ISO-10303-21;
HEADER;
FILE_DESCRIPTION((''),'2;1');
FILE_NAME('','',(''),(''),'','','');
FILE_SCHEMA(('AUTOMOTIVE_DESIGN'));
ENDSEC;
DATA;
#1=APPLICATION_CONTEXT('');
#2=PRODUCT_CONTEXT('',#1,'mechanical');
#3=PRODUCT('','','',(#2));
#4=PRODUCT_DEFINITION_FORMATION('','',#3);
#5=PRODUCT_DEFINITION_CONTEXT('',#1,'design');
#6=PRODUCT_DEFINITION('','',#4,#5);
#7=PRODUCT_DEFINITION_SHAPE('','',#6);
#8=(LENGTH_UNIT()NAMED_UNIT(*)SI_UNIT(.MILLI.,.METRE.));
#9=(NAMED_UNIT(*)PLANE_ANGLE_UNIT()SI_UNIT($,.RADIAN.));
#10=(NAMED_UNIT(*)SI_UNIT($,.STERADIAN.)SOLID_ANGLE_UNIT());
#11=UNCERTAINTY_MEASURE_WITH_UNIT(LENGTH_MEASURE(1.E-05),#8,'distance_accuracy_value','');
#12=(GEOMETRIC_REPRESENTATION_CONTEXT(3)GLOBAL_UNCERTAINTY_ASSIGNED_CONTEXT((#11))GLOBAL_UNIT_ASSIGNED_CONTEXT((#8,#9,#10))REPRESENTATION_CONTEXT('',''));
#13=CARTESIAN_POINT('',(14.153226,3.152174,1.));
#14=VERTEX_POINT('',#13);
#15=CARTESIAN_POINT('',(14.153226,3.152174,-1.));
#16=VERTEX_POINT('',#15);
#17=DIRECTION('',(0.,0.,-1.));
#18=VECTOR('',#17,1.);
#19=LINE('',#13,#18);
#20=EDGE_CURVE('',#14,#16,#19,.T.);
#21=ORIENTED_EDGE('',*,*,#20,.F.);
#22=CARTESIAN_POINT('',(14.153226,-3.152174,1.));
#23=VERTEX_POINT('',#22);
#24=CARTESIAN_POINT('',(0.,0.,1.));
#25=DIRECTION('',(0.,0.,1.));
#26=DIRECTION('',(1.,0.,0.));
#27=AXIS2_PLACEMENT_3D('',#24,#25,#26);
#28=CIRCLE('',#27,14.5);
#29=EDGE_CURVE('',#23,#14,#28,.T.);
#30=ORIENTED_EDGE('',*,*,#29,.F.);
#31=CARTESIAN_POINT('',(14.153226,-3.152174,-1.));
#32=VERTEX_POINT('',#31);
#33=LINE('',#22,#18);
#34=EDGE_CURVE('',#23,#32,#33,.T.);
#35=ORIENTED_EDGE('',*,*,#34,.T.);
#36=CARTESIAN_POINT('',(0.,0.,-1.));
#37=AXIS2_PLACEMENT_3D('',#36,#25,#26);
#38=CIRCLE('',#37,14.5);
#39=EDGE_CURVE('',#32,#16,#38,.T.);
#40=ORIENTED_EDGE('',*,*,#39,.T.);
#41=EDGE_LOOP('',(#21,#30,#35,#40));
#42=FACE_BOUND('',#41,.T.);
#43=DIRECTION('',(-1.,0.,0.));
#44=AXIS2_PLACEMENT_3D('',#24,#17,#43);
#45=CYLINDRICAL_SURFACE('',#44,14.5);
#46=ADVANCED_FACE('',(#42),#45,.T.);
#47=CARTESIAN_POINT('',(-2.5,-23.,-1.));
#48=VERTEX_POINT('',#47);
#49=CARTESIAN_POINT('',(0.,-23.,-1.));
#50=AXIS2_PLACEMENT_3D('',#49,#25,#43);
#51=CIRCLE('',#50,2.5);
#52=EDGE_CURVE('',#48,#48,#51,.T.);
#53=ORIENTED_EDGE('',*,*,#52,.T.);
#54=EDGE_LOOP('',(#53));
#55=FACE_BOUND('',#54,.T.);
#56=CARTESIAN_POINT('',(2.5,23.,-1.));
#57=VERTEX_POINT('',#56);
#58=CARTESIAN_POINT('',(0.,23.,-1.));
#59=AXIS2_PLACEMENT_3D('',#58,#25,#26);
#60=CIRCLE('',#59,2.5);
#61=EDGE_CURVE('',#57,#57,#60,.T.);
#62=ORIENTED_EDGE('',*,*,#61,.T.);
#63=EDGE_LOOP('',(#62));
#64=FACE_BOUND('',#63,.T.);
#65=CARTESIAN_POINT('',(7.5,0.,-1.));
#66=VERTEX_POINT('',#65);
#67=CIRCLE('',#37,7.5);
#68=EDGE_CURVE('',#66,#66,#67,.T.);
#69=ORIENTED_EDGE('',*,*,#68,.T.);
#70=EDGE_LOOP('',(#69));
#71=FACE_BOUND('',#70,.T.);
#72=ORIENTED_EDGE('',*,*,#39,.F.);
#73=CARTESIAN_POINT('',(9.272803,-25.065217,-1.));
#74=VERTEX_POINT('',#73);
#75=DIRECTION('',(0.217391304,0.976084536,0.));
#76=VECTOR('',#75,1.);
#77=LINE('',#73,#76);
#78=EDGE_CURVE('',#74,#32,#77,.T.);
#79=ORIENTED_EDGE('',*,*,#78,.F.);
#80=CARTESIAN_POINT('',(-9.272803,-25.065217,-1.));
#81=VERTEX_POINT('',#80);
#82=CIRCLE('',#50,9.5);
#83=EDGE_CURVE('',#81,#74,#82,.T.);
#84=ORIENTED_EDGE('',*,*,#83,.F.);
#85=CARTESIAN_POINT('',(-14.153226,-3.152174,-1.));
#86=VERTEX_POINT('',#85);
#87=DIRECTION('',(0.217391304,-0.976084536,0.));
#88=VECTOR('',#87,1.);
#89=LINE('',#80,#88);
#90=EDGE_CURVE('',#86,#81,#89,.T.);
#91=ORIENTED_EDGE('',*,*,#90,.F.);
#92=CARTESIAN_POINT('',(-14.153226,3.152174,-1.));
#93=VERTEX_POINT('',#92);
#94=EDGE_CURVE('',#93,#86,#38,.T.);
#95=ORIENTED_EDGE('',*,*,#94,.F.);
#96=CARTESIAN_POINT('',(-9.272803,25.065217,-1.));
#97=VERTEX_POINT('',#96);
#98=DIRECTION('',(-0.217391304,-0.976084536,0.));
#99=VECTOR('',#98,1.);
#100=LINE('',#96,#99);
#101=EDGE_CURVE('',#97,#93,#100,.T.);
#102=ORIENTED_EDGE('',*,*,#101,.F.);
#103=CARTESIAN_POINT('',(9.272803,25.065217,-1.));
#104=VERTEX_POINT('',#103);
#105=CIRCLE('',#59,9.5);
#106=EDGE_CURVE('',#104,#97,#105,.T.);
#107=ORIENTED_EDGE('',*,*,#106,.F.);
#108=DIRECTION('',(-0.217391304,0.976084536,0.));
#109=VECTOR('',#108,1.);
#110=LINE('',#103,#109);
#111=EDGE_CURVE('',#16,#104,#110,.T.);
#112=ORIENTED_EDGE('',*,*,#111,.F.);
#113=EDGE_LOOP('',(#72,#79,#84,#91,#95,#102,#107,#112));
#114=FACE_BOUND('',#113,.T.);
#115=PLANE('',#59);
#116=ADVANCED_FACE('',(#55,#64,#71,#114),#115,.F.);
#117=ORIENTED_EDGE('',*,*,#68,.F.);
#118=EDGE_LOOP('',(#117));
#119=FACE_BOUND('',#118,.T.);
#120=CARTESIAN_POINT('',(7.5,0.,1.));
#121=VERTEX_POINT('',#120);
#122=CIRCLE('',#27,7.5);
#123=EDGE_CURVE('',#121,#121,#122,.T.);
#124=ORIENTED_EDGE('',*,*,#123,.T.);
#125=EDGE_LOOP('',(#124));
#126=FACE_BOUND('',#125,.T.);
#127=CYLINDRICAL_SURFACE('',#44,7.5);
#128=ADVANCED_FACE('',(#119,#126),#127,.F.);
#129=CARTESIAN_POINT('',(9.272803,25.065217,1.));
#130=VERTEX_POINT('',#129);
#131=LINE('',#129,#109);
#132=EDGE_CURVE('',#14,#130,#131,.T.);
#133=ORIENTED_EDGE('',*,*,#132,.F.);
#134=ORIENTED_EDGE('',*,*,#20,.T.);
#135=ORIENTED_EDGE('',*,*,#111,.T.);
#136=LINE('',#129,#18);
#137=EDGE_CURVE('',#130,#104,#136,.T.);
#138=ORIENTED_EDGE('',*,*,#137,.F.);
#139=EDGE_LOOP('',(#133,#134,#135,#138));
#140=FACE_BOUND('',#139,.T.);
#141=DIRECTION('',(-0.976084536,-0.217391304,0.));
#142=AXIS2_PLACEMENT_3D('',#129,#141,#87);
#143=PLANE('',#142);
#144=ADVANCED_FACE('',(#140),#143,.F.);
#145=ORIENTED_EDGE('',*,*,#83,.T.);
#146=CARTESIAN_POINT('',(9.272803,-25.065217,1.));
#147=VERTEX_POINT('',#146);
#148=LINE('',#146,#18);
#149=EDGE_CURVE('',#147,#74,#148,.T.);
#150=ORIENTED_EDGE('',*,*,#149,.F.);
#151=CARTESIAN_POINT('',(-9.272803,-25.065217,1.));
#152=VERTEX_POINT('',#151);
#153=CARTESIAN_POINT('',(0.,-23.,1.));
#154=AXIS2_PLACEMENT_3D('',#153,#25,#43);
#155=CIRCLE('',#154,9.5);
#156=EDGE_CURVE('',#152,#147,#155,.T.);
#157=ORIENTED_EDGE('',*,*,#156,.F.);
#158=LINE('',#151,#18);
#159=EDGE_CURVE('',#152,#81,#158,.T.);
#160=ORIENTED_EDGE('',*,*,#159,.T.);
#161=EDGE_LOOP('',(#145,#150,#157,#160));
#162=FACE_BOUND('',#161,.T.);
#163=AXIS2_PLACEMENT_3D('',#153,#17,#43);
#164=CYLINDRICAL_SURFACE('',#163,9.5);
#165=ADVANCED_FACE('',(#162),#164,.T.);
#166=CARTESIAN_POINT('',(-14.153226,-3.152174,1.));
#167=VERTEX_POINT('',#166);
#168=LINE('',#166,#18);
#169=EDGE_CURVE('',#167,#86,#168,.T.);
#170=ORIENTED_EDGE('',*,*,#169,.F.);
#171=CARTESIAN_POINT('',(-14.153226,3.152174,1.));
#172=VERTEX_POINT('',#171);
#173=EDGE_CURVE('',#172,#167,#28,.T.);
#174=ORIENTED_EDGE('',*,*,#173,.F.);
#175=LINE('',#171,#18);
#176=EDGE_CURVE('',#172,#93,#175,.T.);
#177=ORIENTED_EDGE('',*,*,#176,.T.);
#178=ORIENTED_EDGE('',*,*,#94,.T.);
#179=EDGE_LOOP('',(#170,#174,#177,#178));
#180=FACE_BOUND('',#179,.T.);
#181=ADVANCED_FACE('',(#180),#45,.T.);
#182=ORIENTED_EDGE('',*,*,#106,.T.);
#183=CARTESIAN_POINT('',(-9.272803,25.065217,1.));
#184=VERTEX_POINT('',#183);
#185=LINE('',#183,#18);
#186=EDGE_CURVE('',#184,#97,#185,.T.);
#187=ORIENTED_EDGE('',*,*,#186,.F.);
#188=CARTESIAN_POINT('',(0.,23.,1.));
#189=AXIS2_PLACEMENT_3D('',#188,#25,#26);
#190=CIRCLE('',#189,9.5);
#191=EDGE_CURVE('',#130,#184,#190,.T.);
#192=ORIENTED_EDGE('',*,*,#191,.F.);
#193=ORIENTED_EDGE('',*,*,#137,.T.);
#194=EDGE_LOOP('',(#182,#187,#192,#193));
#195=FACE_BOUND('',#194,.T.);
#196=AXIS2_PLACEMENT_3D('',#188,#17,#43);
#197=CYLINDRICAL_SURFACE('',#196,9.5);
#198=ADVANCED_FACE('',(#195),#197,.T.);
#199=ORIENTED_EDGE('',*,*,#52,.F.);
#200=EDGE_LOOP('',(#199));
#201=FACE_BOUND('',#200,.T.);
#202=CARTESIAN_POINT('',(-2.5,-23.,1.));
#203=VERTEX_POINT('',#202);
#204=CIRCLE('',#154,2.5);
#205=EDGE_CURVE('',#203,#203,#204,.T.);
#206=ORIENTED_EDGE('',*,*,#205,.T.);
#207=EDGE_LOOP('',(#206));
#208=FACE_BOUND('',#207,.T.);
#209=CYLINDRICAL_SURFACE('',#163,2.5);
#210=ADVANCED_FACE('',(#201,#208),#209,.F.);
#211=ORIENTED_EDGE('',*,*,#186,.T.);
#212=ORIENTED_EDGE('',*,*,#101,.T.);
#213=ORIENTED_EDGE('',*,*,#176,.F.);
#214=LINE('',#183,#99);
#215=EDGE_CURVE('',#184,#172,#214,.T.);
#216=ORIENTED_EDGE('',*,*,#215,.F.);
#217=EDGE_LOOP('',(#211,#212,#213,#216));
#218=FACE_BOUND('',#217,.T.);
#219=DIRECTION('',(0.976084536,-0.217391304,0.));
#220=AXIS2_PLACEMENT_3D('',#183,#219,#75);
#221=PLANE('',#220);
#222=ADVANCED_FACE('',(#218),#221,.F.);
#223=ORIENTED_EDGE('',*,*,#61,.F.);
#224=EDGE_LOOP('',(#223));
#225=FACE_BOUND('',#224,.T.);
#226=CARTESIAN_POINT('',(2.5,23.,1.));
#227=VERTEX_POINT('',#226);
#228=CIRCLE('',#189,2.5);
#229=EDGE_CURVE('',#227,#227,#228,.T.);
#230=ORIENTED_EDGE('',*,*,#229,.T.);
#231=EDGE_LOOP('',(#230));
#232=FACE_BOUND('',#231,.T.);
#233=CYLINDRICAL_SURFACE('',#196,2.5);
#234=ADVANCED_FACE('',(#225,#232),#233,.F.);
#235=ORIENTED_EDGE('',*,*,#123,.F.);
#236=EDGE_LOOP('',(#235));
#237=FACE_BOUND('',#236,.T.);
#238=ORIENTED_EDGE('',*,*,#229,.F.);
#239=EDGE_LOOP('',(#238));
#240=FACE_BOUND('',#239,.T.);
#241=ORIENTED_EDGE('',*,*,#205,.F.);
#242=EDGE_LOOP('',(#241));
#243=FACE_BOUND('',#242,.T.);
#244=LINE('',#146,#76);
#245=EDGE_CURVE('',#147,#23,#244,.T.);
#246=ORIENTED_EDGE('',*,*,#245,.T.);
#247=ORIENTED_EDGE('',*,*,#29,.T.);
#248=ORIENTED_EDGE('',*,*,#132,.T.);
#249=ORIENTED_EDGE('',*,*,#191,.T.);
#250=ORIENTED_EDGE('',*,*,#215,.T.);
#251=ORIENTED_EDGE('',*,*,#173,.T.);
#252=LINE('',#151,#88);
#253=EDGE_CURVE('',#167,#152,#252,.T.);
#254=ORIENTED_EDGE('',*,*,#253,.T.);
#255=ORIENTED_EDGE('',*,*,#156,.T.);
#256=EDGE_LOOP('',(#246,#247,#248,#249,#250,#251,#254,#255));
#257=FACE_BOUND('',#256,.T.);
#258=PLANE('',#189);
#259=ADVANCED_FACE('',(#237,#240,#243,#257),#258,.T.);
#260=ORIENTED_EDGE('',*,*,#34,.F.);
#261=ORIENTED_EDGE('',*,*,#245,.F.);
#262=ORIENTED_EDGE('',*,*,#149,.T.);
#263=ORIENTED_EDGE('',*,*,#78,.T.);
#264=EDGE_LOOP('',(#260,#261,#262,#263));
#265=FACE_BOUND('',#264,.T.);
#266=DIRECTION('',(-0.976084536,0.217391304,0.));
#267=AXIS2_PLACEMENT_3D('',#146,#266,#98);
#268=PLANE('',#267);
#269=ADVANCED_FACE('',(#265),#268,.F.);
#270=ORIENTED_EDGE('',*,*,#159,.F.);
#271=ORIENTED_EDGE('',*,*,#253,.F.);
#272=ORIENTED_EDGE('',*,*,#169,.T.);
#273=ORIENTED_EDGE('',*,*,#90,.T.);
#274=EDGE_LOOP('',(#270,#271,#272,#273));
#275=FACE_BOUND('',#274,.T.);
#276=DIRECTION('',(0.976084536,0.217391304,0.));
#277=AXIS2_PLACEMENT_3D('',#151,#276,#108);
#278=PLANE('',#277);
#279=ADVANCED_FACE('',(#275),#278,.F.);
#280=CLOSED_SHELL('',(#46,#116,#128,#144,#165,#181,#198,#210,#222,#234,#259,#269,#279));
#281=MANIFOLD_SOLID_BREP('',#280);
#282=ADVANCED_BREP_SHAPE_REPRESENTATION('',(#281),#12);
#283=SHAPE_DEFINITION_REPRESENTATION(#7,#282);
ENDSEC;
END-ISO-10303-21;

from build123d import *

# Parameters (mm, degrees)
SKETCH1_R           = 7.5
SKETCH1_R_2         = 2.5
BOSS_EXTRUDE1_DEPTH = 1


with BuildPart() as part:
    # Sketch1 → Boss-Extrude1 (new, symmetric)
    with BuildSketch(Plane.XY):
        with BuildLine():
            Line((-9.272803089, 25.065217391), (-14.153225767, 3.152173913))
            ThreePointArc((-14.153225767, 3.152173913), (-14.5, 0), (-14.153225767, -3.152173913))
            Line((-14.153225767, -3.152173913), (-9.272803089, -25.065217391))
            ThreePointArc((-9.272803089, -25.065217391), (0, -32.5), (9.272803089, -25.065217391))
            Line((9.272803089, -25.065217391), (14.153225767, -3.152173913))
            ThreePointArc((14.153225767, -3.152173913), (14.5, 0), (14.153225767, 3.152173913))
            Line((14.153225767, 3.152173913), (9.272803089, 25.065217391))
            ThreePointArc((9.272803089, 25.065217391), (0, 32.5), (-9.272803089, 25.065217391))
        make_face()
        Circle(SKETCH1_R, mode=Mode.SUBTRACT)
        with Locations((0, 23)):
            Circle(SKETCH1_R_2, mode=Mode.SUBTRACT)
        with Locations(Location((0, -23, 0), (0, 0, 180))):
            Circle(SKETCH1_R_2, mode=Mode.SUBTRACT)
    extrude(amount=BOSS_EXTRUDE1_DEPTH, both=True)


solid = part.part
